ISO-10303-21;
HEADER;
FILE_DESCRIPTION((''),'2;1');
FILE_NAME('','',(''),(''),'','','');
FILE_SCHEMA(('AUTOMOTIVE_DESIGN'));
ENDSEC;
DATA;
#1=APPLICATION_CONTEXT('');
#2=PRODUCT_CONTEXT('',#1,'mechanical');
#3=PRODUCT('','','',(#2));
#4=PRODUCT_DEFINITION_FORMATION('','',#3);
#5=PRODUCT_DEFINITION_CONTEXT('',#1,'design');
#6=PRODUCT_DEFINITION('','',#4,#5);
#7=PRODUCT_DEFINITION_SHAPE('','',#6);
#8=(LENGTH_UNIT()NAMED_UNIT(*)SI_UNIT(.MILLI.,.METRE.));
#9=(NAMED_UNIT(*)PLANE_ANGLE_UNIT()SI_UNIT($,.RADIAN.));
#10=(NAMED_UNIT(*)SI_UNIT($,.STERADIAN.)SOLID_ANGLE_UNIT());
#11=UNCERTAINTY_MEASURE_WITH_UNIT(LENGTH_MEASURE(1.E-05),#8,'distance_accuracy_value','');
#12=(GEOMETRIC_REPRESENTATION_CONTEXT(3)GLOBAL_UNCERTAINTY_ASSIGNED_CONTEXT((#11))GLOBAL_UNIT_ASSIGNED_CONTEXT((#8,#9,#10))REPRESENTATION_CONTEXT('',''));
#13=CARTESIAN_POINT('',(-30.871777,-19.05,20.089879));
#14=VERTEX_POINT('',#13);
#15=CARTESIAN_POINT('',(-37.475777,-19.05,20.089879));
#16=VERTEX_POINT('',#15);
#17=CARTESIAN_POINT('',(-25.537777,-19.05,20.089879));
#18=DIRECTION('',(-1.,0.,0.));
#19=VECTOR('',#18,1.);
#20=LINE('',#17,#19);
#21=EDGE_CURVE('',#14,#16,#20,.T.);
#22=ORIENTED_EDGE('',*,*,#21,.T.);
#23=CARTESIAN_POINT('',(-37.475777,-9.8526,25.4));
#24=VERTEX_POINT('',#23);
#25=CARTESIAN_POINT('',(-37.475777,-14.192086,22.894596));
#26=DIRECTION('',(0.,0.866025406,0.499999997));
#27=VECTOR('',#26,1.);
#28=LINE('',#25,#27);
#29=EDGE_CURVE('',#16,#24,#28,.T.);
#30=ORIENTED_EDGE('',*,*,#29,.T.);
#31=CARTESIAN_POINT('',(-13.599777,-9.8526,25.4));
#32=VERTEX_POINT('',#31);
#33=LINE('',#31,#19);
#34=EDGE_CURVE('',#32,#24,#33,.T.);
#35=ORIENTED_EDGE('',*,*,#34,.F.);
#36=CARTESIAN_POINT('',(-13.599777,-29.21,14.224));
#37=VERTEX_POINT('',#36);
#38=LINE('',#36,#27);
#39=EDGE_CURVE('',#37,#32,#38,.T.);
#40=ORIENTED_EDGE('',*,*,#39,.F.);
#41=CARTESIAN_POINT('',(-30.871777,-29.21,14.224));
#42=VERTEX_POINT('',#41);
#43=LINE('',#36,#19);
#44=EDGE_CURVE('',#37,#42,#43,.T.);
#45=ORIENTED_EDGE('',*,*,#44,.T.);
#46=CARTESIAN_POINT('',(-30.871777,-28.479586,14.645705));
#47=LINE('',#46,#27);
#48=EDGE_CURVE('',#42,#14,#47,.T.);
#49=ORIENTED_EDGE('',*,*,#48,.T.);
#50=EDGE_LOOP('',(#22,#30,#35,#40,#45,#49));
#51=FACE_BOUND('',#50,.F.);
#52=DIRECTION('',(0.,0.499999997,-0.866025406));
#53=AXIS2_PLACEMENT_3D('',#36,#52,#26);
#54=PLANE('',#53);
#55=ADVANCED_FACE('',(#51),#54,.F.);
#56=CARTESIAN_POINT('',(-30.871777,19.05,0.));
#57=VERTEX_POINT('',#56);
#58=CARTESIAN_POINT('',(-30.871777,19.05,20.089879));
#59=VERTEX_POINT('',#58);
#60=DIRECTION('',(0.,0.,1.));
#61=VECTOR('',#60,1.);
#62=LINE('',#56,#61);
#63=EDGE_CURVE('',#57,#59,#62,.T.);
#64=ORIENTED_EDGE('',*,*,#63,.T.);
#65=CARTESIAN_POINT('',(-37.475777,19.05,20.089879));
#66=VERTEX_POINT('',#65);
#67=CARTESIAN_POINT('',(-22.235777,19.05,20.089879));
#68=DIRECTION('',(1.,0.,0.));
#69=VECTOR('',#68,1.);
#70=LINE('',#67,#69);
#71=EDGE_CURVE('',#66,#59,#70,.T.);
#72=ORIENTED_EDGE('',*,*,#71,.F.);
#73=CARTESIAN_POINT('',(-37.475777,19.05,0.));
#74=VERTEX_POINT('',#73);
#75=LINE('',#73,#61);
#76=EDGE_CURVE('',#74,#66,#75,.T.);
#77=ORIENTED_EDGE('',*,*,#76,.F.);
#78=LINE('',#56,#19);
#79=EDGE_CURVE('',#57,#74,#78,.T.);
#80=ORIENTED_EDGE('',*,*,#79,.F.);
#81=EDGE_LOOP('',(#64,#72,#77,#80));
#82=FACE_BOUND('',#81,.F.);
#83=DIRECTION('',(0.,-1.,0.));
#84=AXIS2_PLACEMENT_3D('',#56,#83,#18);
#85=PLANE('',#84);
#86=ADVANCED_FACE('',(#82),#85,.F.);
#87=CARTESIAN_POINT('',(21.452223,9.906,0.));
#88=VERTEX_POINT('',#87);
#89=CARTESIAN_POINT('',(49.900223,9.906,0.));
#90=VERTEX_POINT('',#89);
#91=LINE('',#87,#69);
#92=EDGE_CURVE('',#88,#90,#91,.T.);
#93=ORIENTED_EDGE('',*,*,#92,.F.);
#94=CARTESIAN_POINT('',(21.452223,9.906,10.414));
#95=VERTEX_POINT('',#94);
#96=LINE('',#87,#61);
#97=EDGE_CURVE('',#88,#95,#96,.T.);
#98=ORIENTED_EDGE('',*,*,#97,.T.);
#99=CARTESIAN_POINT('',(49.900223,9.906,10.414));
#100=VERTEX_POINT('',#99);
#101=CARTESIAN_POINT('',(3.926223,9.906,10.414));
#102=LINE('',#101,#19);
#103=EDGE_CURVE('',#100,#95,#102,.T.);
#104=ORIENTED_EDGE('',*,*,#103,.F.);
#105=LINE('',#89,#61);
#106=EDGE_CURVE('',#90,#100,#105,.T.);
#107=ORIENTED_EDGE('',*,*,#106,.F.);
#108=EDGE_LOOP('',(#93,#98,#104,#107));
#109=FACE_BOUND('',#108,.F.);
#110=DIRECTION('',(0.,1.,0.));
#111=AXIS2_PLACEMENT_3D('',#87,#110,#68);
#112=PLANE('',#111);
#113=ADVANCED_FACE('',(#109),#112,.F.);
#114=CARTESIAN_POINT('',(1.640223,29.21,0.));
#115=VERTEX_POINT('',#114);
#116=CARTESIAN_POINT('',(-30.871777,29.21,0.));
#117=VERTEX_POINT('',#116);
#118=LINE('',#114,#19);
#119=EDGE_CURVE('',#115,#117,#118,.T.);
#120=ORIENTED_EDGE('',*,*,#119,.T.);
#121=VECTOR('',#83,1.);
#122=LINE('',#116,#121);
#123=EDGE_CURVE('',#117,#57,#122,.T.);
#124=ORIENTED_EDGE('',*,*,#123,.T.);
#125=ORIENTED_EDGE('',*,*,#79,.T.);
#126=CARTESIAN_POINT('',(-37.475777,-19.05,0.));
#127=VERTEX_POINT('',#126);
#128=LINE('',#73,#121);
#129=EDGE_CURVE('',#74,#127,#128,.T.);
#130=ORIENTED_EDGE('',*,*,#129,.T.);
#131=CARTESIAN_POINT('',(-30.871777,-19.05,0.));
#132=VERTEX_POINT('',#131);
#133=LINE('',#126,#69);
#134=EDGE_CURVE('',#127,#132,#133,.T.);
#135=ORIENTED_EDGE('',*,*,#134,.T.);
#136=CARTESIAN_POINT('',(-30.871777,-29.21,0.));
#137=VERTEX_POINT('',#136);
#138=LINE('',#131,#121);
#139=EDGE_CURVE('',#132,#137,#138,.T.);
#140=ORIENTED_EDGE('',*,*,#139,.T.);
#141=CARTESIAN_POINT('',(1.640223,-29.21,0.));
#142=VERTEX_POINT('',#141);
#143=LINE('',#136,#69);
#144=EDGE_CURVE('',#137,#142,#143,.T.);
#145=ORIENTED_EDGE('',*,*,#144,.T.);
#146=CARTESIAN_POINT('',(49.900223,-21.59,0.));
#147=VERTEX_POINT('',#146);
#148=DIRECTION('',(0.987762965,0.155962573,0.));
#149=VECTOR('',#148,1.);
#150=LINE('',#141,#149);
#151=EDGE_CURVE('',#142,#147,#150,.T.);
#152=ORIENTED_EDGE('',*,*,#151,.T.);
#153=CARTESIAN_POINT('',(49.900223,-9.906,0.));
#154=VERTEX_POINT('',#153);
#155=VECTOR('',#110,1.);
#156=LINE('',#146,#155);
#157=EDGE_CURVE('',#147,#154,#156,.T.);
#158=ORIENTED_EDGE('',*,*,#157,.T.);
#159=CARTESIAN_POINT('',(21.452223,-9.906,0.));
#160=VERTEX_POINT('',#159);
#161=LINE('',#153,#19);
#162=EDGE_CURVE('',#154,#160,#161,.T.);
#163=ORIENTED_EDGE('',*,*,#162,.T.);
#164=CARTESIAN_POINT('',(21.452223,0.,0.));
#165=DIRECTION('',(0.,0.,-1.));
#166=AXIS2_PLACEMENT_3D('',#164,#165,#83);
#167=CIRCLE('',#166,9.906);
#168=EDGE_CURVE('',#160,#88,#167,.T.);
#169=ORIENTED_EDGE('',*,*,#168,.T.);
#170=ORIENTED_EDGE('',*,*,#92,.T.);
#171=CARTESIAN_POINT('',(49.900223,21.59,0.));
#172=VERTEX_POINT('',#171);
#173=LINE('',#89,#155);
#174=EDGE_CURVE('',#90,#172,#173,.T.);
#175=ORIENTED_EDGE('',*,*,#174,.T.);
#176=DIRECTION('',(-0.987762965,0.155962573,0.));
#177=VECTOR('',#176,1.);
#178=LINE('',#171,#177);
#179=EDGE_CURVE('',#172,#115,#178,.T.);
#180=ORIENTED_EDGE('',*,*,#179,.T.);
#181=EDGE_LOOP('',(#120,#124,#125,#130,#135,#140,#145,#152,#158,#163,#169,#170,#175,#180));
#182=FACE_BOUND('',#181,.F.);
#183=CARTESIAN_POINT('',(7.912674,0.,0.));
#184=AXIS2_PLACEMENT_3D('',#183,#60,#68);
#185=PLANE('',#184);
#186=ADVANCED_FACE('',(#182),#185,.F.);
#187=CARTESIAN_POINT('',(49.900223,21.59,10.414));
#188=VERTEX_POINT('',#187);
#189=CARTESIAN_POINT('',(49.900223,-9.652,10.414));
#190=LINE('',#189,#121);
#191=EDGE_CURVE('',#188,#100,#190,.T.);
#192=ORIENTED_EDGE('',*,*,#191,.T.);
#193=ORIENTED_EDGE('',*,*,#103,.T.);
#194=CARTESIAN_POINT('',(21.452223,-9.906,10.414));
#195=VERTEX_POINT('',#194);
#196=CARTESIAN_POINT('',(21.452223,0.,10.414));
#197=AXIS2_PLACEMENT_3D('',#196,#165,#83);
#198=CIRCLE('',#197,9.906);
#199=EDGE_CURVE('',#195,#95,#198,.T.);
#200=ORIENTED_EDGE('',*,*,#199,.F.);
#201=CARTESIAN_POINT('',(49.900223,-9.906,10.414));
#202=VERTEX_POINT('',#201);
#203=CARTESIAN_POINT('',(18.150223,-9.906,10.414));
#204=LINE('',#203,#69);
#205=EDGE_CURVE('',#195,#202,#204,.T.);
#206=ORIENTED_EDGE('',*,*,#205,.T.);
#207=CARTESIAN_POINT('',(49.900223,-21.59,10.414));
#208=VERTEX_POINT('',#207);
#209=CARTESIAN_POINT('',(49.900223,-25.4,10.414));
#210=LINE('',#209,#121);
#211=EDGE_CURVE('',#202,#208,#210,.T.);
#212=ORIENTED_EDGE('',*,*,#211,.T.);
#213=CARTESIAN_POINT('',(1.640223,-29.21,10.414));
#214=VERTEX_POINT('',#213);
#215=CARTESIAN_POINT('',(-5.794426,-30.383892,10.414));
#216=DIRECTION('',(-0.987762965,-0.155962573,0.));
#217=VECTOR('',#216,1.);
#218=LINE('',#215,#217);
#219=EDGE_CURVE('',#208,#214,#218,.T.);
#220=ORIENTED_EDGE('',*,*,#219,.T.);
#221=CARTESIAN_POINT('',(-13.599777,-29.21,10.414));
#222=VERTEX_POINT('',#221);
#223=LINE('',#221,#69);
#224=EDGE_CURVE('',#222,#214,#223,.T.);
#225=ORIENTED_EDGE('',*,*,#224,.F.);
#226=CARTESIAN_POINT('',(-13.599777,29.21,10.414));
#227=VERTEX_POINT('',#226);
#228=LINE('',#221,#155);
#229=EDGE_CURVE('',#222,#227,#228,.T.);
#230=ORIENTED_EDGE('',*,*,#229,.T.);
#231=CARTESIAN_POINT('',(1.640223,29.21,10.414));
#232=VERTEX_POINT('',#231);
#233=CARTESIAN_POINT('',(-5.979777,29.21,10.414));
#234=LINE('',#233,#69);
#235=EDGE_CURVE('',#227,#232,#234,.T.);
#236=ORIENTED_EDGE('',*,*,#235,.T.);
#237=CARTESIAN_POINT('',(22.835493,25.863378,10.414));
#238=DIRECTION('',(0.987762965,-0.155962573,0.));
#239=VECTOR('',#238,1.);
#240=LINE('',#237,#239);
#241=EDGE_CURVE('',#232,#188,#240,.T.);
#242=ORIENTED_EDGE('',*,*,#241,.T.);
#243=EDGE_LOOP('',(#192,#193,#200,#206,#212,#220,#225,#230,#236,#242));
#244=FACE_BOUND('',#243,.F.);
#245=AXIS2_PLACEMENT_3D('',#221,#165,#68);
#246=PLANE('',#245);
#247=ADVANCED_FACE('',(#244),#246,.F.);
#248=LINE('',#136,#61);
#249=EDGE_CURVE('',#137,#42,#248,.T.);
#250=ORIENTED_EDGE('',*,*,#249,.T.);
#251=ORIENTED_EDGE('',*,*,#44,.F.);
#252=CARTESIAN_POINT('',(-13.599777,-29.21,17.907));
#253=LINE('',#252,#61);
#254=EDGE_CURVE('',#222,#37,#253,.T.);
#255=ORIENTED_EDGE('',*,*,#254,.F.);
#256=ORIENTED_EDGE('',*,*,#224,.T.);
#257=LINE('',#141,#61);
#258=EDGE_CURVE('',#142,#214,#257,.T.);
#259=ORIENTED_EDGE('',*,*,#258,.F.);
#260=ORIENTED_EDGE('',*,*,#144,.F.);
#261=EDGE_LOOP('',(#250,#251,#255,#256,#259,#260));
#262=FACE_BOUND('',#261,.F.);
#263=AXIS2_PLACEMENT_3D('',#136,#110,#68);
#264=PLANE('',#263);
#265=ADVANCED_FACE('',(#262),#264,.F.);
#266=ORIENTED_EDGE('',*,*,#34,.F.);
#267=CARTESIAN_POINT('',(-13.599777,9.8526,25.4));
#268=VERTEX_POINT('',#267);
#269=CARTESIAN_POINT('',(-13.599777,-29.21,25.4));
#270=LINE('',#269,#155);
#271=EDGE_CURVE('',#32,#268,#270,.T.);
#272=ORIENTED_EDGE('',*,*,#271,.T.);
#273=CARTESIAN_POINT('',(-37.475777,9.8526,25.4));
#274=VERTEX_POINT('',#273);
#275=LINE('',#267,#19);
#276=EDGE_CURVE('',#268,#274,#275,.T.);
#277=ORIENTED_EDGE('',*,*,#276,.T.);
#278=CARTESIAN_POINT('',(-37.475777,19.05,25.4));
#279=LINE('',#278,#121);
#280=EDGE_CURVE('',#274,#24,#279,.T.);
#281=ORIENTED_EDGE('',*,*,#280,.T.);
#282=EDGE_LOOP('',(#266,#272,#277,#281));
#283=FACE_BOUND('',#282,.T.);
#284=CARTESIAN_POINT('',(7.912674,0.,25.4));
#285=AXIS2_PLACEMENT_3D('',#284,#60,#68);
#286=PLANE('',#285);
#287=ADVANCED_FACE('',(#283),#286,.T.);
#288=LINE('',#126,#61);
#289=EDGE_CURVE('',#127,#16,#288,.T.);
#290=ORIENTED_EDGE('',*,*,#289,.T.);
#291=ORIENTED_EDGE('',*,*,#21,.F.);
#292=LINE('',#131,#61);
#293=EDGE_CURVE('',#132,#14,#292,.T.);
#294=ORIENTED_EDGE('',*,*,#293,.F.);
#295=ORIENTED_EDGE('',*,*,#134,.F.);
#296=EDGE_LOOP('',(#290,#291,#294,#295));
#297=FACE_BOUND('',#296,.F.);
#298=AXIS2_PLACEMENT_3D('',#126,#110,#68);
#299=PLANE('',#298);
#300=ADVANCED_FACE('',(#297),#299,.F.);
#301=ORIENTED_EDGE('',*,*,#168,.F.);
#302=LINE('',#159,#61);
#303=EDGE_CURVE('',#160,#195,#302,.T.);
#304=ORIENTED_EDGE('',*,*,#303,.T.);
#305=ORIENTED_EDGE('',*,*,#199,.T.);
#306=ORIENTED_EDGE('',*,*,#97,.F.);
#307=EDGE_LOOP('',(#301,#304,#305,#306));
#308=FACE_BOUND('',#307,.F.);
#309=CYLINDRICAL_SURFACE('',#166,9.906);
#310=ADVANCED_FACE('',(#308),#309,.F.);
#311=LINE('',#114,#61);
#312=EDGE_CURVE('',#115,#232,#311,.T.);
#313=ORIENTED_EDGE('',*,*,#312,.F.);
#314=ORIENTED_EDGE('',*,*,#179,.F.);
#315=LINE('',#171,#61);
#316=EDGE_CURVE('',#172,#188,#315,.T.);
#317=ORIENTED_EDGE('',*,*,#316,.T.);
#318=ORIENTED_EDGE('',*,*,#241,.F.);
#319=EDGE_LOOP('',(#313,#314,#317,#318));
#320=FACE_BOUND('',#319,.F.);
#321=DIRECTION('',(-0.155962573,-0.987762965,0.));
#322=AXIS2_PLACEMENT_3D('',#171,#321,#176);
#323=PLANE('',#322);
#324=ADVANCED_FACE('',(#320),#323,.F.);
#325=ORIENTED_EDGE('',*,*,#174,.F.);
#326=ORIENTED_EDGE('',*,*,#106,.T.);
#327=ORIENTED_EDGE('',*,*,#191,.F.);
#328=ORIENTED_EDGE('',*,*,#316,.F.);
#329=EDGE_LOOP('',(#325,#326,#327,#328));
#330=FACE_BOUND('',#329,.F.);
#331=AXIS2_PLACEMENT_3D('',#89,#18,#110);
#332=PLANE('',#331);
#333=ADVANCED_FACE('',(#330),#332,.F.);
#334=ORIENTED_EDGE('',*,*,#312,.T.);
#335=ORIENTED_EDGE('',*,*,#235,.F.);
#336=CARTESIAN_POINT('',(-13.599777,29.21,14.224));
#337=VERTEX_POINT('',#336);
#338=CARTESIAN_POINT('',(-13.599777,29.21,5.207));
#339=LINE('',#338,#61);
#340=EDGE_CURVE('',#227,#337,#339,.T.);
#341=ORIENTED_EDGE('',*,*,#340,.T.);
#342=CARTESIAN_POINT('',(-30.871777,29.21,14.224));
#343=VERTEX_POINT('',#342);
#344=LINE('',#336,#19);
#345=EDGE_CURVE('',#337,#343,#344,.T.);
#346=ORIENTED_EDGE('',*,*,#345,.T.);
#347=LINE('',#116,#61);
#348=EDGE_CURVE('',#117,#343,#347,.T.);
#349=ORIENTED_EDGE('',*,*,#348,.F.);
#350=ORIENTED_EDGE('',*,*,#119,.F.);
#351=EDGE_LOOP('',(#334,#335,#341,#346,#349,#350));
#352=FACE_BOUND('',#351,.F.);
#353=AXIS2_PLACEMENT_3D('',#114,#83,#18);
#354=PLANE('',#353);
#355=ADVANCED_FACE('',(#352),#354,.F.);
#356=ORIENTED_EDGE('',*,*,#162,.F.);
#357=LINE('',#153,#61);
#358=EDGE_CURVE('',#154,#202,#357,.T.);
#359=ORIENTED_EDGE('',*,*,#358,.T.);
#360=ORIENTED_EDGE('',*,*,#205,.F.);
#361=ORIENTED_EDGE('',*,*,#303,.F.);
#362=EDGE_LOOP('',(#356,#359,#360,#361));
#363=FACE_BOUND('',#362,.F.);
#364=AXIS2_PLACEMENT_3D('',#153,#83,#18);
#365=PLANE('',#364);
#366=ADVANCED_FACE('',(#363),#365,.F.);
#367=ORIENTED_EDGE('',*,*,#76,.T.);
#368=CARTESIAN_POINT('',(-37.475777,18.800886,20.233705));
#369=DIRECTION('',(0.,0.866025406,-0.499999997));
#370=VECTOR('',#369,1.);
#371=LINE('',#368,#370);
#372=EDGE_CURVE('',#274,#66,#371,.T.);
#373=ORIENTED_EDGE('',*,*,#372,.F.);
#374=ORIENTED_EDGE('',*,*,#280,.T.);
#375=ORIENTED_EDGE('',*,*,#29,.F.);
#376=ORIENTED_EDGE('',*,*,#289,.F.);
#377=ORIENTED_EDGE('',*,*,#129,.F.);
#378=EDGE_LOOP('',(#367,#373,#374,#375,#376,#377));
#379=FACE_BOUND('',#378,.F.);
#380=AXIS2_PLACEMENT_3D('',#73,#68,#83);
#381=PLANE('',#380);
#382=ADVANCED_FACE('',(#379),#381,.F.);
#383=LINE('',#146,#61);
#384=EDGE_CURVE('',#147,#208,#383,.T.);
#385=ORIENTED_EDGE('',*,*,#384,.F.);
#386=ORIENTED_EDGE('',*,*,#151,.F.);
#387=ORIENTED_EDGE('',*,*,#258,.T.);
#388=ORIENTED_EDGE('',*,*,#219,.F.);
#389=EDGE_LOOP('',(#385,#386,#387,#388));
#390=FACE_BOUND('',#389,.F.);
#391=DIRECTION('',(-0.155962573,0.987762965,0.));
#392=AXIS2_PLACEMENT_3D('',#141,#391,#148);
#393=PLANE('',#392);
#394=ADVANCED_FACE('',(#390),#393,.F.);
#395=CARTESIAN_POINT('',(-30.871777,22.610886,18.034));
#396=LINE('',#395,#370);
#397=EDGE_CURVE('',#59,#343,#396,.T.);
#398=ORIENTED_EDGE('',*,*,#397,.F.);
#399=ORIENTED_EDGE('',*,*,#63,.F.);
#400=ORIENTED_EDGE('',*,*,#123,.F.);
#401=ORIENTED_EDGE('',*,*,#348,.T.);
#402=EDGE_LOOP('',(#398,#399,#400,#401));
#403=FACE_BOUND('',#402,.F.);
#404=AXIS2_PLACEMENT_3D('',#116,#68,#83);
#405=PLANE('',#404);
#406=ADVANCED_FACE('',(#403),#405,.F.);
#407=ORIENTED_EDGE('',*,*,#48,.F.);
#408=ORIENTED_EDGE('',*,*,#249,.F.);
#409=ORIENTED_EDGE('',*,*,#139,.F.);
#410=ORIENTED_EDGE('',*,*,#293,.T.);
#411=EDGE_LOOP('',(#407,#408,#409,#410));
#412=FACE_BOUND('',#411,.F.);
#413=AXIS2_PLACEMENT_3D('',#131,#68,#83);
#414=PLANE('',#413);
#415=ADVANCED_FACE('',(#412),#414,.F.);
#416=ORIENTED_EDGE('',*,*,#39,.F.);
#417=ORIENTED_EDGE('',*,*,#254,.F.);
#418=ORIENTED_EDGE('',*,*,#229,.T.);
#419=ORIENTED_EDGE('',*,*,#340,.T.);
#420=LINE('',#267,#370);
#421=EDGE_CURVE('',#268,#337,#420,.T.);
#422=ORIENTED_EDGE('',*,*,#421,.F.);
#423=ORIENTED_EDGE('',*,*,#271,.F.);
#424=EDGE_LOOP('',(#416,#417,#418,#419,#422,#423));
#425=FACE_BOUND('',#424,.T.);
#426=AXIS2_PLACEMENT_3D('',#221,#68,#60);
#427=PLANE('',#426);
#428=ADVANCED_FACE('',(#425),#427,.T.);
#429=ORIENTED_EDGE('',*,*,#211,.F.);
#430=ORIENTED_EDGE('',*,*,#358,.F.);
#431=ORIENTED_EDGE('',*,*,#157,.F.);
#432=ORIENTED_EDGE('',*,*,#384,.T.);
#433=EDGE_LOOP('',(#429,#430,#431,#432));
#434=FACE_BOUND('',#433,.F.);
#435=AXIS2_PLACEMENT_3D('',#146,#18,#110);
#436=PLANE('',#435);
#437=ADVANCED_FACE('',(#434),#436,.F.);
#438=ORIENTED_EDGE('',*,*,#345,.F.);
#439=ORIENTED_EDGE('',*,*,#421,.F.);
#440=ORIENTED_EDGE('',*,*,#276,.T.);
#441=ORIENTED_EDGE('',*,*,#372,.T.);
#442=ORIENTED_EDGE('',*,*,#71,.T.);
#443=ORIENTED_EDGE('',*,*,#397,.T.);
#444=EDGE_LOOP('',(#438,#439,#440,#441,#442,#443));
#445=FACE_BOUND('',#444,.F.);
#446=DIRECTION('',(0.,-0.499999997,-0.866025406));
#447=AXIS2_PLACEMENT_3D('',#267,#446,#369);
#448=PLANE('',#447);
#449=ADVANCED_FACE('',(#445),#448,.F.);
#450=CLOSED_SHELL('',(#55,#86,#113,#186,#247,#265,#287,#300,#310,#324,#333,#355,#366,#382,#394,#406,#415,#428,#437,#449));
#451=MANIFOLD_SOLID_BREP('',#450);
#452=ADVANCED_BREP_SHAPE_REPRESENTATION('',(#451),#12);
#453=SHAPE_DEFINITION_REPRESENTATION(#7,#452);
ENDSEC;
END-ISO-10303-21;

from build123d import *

# Parameters (mm, degrees)
F1_DEPTH = 25.4
F2_W     = 15.24
F2_H     = 14.986
F2_W_2   = 48.74875
F3_DEPTH = 76.2
F5_DEPTH = 25.4


with BuildPart() as f1:
    # F0 (on Top) → F1 (new body)
    with BuildSketch(Plane.XY):
        with BuildLine():
            Line((1.640223, 29.21), (-30.871777, 29.21))
            Line((-30.871777, 29.21), (-30.871777, 19.05))
            Line((-30.871777, 19.05), (-37.475777, 19.05))
            Line((-37.475777, 19.05), (-37.475777, -19.05))
            Line((-37.475777, -19.05), (-30.871777, -19.05))
            Line((-30.871777, -19.05), (-30.871777, -29.21))
            Line((-30.871777, -29.21), (1.640223, -29.21))
            Line((1.640223, -29.21), (49.900223, -21.59))
            Line((49.900223, -21.59), (49.900223, -9.906))
            Line((49.900223, -9.906), (21.452223, -9.906))
            ThreePointArc((21.452223, -9.906), (11.546223, 0), (21.452223, 9.906))
            Line((21.452223, 9.906), (49.900223, 9.906))
            Line((49.900223, 9.906), (49.900223, 21.59))
            Line((49.900223, 21.59), (1.640223, 29.21))
        make_face()
    extrude(amount=F1_DEPTH)

    # F2 (on face) → F3 (cut)
    with BuildSketch(Plane.XZ.offset(29.21)):
        with Locations((-5.979777, 17.907)):
            Rectangle(F2_W, F2_H)
        with Locations((26.014598, 17.907)):
            Rectangle(F2_W_2, F2_H)
    extrude(amount=-F3_DEPTH, mode=Mode.SUBTRACT)

    # F4 (on face) → F5 (cut)
    with BuildSketch(Plane.YZ.offset(-13.599777)):
        Polygon((-29.21, 14.224), (-9.8526, 25.4), (-29.21, 25.4), align=None)
        Polygon((29.21, 25.4), (9.8526, 25.4), (29.21, 14.224), align=None)
    extrude(amount=-F5_DEPTH, mode=Mode.SUBTRACT)


solid = f1.part
